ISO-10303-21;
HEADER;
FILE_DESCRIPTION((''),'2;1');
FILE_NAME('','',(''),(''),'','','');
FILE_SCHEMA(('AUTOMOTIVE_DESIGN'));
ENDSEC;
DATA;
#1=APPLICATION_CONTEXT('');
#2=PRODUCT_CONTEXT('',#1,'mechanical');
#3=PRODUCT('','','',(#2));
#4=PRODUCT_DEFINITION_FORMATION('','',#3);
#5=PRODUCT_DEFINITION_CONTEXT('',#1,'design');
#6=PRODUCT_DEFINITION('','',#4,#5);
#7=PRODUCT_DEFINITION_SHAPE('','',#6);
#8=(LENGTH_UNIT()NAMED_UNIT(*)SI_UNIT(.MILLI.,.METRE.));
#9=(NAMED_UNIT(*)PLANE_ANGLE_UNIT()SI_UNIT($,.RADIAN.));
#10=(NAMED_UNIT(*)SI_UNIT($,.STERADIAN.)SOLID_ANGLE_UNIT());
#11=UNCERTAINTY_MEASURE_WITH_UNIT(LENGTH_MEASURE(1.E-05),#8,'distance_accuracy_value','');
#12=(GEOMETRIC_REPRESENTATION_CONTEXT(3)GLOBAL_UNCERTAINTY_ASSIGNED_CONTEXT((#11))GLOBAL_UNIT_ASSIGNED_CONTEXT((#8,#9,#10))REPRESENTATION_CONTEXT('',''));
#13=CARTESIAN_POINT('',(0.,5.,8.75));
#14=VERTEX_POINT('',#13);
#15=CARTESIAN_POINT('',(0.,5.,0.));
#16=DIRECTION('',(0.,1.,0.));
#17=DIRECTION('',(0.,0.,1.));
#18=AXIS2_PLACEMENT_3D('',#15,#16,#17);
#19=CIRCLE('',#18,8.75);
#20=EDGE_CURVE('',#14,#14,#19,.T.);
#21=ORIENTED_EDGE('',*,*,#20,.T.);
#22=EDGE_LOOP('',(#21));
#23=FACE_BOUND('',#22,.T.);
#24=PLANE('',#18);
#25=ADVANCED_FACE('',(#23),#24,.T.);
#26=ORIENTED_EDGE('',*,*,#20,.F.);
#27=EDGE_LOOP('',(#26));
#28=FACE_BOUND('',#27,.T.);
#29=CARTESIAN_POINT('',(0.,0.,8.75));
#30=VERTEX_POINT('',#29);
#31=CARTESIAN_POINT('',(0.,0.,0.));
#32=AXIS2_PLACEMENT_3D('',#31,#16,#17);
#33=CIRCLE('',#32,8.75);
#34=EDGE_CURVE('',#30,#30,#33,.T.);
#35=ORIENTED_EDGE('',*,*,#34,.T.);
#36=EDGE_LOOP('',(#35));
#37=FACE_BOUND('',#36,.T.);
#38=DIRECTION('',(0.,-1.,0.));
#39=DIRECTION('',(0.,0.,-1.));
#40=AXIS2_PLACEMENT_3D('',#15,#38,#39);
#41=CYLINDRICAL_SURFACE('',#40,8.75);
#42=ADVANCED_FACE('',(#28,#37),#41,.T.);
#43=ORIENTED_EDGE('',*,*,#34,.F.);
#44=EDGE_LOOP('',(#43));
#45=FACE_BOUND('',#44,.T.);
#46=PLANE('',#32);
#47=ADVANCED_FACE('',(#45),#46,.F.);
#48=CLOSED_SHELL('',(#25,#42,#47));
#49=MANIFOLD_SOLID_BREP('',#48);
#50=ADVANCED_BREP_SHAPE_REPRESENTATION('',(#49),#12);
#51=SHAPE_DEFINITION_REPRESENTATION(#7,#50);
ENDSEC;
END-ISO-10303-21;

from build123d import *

# Parameters (mm, degrees)
SKETCH1_R      = 8.75
EXTRUDE1_DEPTH = 5


with BuildPart() as part:
    # Sketch1 → Extrude1 (new body)
    with BuildSketch(Plane(origin=(0, 0, 0), x_dir=(1, 0, 0), z_dir=(0, 1, 0))):
        with Locations(Location((0, 0, 0), (0, 0, 270))):  # turned: the seam where the file's is
            Circle(SKETCH1_R)
    extrude(amount=EXTRUDE1_DEPTH)


solid = part.part
